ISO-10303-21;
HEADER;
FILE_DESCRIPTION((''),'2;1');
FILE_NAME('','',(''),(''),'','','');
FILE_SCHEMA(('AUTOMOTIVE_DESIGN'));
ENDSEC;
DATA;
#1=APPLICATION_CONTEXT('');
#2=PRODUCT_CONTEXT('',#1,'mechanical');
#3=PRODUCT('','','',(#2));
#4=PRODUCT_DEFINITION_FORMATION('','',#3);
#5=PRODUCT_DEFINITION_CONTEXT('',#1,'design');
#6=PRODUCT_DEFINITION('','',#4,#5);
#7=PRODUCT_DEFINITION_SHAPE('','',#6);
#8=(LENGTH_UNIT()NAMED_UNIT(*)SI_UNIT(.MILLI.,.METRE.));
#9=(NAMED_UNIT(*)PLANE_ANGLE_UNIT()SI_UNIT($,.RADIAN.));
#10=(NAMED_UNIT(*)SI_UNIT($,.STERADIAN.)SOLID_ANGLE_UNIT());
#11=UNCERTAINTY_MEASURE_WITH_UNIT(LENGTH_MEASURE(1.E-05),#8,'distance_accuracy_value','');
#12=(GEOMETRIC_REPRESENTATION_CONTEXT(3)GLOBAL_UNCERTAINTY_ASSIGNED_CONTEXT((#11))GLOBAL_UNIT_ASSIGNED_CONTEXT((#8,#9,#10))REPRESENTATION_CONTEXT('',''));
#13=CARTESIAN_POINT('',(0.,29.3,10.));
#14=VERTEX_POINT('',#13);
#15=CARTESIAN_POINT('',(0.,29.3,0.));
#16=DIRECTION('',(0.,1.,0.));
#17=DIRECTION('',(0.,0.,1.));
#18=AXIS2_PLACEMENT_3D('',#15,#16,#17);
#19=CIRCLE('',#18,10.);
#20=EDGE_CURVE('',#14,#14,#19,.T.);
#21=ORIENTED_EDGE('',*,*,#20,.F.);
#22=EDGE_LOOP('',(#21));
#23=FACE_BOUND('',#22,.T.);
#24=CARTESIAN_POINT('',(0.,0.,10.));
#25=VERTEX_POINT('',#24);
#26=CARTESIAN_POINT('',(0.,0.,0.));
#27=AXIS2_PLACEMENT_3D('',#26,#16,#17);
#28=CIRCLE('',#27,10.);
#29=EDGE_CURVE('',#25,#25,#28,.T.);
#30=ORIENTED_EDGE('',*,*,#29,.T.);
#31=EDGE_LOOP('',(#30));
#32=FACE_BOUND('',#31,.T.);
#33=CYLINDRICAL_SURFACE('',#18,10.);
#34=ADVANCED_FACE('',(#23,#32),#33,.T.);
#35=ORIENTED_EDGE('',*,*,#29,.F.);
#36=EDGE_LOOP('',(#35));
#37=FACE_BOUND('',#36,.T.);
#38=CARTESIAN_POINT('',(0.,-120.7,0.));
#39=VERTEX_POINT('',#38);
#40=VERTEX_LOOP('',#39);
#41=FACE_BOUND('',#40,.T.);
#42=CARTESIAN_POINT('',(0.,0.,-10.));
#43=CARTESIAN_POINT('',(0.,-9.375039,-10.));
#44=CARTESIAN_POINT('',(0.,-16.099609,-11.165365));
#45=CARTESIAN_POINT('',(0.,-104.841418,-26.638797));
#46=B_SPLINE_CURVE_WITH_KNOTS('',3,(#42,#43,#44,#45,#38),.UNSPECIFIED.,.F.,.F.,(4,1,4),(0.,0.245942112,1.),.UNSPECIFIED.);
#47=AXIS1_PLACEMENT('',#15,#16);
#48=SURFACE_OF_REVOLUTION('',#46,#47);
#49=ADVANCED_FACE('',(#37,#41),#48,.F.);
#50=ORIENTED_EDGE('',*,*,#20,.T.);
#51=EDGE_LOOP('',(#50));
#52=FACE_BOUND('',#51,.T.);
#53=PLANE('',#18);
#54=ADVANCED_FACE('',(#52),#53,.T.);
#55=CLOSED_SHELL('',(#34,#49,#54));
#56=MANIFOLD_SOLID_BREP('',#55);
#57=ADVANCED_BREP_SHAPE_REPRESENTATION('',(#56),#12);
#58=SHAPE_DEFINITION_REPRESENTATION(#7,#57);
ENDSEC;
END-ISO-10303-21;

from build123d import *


with BuildPart() as part:
    # Sketch1 → Revolve1 (revolve)
    with BuildSketch(Plane(origin=(0, 0, 0), x_dir=(0, 0, -1), z_dir=(1, 0, 0)), mode=Mode.PRIVATE) as revolve1_sk:
        with BuildLine():
            Line((0, 29.3), (0, -120.7))
            add(Edge.make_bspline(
                [(10, 0), (10, -9.375039481), (11.165365254, -16.099609477), (26.638797439, -104.841417598), (0, -120.7)],
                knots=[0, 0, 0, 0, 0.245942112, 1, 1, 1, 1], degree=3))
            Line((10, 0), (10, 29.3))
            Line((10, 29.3), (0, 29.3))
        make_face()
    revolve(revolve1_sk.sketch.rotate(Axis((0, 29.3, 0), (0, -1, 0)), 180), axis=Axis((0, 29.3, 0), (0, -1, 0)))


solid = part.part
